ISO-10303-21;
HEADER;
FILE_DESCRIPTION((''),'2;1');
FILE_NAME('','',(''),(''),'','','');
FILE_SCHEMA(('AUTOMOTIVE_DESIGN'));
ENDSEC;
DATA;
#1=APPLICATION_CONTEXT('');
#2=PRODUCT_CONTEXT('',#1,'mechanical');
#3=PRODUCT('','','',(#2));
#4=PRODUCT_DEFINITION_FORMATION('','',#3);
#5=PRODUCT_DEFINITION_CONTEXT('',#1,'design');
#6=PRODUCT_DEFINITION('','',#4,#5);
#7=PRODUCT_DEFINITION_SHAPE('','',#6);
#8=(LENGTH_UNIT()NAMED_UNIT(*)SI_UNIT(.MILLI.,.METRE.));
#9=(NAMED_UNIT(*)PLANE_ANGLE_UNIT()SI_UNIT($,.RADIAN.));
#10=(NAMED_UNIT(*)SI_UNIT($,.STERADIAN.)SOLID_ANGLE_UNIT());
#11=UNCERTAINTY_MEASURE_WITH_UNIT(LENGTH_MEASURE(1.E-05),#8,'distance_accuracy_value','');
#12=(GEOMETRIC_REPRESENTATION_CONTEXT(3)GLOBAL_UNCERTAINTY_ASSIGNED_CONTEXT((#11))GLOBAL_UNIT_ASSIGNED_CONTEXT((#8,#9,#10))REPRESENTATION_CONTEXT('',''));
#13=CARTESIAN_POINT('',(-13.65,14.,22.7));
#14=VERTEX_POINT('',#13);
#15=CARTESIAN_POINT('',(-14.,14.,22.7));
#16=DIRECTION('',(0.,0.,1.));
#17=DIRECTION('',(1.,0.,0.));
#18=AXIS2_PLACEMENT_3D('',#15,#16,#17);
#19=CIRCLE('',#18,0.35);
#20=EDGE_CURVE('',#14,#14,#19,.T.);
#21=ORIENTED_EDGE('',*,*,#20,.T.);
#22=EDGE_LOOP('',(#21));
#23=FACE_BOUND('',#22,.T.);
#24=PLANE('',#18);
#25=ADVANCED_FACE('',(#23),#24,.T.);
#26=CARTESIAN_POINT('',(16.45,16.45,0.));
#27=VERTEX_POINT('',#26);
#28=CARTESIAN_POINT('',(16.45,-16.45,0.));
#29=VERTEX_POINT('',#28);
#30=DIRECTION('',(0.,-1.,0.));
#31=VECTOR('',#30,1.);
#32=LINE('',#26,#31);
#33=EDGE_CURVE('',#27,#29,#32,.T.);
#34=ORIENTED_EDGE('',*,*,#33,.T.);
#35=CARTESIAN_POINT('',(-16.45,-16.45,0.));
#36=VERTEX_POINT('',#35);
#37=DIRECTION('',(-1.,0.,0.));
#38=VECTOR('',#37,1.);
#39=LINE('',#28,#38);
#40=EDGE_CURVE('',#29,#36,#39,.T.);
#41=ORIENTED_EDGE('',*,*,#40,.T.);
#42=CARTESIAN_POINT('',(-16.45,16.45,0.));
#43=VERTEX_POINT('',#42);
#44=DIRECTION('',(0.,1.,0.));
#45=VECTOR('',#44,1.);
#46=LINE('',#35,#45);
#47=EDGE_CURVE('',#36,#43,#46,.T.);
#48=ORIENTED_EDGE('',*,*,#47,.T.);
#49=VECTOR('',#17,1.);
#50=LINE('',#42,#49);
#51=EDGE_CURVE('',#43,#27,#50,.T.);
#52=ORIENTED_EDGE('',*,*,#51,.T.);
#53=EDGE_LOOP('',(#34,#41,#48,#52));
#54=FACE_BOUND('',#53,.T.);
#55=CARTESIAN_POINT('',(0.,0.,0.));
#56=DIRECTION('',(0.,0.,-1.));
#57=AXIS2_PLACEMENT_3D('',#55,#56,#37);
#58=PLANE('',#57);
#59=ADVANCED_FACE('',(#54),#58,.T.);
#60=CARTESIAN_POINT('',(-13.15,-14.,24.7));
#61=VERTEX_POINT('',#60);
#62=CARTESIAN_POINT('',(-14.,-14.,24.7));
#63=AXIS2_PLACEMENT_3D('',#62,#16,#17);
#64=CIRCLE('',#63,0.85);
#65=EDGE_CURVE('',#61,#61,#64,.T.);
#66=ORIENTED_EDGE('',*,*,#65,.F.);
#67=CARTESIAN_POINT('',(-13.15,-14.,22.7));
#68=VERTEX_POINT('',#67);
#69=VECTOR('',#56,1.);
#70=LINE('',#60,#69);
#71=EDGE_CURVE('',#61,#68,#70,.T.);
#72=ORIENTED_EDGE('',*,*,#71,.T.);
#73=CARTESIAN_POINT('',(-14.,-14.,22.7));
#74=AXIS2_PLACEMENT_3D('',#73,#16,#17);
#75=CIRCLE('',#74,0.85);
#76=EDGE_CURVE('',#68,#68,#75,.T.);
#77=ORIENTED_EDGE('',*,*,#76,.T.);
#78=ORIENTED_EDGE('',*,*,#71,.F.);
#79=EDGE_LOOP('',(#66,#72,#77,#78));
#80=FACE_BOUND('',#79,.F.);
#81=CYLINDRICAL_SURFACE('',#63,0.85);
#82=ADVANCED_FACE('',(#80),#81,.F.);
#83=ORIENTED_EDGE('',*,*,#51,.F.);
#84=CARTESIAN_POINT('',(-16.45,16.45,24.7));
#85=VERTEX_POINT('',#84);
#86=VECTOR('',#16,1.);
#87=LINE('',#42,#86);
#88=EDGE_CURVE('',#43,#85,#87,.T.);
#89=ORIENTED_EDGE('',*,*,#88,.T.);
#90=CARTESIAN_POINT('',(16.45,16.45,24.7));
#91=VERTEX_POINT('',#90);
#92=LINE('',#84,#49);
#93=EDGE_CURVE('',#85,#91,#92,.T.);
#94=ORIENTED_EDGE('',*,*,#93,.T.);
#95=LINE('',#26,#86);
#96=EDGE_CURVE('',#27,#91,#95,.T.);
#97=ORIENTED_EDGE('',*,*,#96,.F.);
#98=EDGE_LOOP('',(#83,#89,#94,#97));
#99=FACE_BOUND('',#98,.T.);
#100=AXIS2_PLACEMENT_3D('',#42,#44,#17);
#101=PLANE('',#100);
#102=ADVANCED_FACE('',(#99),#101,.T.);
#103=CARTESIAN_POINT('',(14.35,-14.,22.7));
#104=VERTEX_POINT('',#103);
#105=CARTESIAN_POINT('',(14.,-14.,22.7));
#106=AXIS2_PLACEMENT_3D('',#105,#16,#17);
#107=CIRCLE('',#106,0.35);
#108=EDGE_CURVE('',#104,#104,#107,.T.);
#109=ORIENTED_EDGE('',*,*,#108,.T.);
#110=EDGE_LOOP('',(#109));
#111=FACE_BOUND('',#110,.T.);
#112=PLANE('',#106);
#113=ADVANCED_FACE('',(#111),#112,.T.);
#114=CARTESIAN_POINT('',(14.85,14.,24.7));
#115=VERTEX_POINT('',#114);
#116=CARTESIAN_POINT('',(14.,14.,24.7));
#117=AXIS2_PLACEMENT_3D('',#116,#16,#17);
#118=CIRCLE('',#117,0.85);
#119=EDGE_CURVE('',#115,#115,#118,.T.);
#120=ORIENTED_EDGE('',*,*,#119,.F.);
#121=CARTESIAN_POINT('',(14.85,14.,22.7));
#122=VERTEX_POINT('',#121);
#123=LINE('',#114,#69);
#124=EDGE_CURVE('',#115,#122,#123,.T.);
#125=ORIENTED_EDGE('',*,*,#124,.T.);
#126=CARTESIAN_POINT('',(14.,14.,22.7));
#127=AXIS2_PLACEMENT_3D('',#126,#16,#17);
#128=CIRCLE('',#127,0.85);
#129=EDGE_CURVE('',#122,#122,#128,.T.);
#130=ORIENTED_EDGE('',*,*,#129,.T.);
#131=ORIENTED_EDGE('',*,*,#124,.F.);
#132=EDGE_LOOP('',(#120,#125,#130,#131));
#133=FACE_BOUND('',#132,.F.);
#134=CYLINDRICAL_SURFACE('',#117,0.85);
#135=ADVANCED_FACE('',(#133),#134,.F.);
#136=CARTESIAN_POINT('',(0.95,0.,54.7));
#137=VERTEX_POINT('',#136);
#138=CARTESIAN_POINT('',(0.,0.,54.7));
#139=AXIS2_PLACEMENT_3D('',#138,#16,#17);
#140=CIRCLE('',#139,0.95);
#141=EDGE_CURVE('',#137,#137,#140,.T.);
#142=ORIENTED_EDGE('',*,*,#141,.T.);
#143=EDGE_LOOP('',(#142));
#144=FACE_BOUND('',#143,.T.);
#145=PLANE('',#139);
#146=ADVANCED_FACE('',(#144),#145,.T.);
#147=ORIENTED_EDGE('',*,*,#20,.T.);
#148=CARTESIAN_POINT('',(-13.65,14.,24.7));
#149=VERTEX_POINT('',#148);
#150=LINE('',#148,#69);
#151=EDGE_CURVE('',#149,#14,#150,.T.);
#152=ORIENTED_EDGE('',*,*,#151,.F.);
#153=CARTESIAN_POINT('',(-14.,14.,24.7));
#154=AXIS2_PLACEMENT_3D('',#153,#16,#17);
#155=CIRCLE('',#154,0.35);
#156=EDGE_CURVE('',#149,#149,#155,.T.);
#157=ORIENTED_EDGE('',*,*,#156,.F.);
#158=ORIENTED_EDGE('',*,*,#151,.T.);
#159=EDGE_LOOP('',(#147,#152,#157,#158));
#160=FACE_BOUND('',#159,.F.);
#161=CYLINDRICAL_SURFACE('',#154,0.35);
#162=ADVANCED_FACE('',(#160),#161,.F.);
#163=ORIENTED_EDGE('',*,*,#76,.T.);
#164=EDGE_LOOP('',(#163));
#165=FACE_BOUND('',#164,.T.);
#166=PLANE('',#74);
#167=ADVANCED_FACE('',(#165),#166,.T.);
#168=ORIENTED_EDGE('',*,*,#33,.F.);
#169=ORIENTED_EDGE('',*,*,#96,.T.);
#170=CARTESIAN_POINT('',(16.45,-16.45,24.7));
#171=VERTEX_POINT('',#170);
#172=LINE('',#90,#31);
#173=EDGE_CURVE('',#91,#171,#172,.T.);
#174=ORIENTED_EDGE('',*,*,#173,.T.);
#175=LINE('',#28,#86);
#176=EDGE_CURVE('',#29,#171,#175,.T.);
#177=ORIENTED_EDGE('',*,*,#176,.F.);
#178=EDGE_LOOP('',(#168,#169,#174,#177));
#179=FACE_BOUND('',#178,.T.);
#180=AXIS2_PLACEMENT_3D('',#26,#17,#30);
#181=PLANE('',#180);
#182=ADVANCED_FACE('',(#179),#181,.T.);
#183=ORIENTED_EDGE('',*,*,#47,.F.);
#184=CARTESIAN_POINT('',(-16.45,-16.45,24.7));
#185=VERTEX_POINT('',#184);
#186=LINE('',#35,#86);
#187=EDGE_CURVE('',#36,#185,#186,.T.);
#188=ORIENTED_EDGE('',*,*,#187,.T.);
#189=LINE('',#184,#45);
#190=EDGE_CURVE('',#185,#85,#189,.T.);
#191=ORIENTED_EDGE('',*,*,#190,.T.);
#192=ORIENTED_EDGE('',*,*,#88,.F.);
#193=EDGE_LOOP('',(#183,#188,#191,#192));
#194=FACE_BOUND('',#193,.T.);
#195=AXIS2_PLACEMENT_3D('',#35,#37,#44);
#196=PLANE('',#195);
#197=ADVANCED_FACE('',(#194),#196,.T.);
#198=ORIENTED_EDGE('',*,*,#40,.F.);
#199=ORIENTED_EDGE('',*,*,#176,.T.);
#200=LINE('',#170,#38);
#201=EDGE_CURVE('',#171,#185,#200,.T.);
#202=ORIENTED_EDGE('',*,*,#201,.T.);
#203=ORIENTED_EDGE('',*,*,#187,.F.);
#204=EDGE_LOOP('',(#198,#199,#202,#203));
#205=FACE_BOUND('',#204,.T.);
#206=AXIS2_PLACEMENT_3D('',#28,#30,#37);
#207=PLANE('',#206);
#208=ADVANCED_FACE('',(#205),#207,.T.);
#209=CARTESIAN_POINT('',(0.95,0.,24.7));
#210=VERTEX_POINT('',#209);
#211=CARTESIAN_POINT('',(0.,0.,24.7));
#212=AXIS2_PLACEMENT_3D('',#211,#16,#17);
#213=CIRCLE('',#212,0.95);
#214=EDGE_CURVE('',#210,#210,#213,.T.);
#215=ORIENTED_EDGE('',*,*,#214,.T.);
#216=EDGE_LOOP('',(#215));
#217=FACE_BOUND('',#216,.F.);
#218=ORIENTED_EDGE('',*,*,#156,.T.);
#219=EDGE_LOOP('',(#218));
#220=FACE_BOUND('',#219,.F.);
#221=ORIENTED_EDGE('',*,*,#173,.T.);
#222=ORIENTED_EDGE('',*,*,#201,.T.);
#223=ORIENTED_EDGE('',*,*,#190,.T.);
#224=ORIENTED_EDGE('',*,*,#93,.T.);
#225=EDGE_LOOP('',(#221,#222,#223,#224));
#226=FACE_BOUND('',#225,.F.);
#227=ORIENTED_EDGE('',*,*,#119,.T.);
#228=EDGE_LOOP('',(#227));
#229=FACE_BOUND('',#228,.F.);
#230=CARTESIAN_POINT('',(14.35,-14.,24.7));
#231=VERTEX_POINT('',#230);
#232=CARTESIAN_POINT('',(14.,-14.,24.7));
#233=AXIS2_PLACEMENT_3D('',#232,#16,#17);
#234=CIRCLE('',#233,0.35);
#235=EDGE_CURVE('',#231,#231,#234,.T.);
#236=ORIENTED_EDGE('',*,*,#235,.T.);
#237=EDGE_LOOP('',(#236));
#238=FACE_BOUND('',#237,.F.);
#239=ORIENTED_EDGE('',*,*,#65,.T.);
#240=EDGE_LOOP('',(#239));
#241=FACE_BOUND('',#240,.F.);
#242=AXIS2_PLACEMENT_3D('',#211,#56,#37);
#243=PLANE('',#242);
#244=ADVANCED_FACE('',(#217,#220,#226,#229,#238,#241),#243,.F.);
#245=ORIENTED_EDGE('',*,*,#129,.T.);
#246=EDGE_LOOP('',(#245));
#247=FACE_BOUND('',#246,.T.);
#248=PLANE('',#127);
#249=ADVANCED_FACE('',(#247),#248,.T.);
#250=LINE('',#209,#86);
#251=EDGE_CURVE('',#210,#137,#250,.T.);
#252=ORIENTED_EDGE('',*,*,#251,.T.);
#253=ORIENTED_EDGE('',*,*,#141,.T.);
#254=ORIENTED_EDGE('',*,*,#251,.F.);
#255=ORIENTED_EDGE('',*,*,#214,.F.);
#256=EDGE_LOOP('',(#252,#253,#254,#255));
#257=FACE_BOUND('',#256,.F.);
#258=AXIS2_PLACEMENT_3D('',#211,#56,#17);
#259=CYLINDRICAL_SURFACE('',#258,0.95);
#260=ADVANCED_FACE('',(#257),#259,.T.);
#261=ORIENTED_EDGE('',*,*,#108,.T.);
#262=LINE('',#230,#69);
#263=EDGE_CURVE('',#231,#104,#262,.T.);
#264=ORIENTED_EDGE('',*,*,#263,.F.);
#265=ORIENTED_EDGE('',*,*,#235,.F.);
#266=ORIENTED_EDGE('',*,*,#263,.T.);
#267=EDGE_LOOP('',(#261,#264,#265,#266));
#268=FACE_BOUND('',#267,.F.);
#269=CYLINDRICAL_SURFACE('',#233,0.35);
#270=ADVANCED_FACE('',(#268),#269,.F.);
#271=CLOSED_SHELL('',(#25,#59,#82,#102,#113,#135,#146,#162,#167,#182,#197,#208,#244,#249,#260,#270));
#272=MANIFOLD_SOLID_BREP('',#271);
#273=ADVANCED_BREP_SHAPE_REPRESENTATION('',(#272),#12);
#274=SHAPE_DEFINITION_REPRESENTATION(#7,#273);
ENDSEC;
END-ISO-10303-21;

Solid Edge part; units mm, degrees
sketch "Sketch1" plane through (0, 0, 0) normal (0, 0, 1) x (1, 0, 0)
  line L0 (16.45, -16.45) -> (-16.45, -16.45)
  line L1 (-16.45, -16.45) -> (-16.45, 16.45)
  line L2 (-16.45, 16.45) -> (16.45, 16.45)
  line L3 (16.45, 16.45) -> (16.45, -16.45)
extrude "Protrusion1" add sketch "Sketch1" along normal blind 24.7
sketch "Sketch2" plane through (0, 0, 24.7) normal (0, 0, 1) x (1, 0, 0)
  circle A0 centre (-14, 14) radius 0.35
  circle A1 centre (14, 14) radius 0.85
  circle A2 centre (-14, -14) radius 0.85
  circle A3 centre (14, -14) radius 0.35
  dimension "D1" = 26.8
extrude "ExtrudedCutout_1" cut sketch "Sketch2" against normal blind 2
sketch "Sketch3" plane through (0, 0, 24.7) normal (0, 0, 1) x (1, 0, 0)
  circle A0 centre (0, 0) radius 0.95
extrude "ExtrudedProtrusion_2" add sketch "Sketch3" along normal blind 30
